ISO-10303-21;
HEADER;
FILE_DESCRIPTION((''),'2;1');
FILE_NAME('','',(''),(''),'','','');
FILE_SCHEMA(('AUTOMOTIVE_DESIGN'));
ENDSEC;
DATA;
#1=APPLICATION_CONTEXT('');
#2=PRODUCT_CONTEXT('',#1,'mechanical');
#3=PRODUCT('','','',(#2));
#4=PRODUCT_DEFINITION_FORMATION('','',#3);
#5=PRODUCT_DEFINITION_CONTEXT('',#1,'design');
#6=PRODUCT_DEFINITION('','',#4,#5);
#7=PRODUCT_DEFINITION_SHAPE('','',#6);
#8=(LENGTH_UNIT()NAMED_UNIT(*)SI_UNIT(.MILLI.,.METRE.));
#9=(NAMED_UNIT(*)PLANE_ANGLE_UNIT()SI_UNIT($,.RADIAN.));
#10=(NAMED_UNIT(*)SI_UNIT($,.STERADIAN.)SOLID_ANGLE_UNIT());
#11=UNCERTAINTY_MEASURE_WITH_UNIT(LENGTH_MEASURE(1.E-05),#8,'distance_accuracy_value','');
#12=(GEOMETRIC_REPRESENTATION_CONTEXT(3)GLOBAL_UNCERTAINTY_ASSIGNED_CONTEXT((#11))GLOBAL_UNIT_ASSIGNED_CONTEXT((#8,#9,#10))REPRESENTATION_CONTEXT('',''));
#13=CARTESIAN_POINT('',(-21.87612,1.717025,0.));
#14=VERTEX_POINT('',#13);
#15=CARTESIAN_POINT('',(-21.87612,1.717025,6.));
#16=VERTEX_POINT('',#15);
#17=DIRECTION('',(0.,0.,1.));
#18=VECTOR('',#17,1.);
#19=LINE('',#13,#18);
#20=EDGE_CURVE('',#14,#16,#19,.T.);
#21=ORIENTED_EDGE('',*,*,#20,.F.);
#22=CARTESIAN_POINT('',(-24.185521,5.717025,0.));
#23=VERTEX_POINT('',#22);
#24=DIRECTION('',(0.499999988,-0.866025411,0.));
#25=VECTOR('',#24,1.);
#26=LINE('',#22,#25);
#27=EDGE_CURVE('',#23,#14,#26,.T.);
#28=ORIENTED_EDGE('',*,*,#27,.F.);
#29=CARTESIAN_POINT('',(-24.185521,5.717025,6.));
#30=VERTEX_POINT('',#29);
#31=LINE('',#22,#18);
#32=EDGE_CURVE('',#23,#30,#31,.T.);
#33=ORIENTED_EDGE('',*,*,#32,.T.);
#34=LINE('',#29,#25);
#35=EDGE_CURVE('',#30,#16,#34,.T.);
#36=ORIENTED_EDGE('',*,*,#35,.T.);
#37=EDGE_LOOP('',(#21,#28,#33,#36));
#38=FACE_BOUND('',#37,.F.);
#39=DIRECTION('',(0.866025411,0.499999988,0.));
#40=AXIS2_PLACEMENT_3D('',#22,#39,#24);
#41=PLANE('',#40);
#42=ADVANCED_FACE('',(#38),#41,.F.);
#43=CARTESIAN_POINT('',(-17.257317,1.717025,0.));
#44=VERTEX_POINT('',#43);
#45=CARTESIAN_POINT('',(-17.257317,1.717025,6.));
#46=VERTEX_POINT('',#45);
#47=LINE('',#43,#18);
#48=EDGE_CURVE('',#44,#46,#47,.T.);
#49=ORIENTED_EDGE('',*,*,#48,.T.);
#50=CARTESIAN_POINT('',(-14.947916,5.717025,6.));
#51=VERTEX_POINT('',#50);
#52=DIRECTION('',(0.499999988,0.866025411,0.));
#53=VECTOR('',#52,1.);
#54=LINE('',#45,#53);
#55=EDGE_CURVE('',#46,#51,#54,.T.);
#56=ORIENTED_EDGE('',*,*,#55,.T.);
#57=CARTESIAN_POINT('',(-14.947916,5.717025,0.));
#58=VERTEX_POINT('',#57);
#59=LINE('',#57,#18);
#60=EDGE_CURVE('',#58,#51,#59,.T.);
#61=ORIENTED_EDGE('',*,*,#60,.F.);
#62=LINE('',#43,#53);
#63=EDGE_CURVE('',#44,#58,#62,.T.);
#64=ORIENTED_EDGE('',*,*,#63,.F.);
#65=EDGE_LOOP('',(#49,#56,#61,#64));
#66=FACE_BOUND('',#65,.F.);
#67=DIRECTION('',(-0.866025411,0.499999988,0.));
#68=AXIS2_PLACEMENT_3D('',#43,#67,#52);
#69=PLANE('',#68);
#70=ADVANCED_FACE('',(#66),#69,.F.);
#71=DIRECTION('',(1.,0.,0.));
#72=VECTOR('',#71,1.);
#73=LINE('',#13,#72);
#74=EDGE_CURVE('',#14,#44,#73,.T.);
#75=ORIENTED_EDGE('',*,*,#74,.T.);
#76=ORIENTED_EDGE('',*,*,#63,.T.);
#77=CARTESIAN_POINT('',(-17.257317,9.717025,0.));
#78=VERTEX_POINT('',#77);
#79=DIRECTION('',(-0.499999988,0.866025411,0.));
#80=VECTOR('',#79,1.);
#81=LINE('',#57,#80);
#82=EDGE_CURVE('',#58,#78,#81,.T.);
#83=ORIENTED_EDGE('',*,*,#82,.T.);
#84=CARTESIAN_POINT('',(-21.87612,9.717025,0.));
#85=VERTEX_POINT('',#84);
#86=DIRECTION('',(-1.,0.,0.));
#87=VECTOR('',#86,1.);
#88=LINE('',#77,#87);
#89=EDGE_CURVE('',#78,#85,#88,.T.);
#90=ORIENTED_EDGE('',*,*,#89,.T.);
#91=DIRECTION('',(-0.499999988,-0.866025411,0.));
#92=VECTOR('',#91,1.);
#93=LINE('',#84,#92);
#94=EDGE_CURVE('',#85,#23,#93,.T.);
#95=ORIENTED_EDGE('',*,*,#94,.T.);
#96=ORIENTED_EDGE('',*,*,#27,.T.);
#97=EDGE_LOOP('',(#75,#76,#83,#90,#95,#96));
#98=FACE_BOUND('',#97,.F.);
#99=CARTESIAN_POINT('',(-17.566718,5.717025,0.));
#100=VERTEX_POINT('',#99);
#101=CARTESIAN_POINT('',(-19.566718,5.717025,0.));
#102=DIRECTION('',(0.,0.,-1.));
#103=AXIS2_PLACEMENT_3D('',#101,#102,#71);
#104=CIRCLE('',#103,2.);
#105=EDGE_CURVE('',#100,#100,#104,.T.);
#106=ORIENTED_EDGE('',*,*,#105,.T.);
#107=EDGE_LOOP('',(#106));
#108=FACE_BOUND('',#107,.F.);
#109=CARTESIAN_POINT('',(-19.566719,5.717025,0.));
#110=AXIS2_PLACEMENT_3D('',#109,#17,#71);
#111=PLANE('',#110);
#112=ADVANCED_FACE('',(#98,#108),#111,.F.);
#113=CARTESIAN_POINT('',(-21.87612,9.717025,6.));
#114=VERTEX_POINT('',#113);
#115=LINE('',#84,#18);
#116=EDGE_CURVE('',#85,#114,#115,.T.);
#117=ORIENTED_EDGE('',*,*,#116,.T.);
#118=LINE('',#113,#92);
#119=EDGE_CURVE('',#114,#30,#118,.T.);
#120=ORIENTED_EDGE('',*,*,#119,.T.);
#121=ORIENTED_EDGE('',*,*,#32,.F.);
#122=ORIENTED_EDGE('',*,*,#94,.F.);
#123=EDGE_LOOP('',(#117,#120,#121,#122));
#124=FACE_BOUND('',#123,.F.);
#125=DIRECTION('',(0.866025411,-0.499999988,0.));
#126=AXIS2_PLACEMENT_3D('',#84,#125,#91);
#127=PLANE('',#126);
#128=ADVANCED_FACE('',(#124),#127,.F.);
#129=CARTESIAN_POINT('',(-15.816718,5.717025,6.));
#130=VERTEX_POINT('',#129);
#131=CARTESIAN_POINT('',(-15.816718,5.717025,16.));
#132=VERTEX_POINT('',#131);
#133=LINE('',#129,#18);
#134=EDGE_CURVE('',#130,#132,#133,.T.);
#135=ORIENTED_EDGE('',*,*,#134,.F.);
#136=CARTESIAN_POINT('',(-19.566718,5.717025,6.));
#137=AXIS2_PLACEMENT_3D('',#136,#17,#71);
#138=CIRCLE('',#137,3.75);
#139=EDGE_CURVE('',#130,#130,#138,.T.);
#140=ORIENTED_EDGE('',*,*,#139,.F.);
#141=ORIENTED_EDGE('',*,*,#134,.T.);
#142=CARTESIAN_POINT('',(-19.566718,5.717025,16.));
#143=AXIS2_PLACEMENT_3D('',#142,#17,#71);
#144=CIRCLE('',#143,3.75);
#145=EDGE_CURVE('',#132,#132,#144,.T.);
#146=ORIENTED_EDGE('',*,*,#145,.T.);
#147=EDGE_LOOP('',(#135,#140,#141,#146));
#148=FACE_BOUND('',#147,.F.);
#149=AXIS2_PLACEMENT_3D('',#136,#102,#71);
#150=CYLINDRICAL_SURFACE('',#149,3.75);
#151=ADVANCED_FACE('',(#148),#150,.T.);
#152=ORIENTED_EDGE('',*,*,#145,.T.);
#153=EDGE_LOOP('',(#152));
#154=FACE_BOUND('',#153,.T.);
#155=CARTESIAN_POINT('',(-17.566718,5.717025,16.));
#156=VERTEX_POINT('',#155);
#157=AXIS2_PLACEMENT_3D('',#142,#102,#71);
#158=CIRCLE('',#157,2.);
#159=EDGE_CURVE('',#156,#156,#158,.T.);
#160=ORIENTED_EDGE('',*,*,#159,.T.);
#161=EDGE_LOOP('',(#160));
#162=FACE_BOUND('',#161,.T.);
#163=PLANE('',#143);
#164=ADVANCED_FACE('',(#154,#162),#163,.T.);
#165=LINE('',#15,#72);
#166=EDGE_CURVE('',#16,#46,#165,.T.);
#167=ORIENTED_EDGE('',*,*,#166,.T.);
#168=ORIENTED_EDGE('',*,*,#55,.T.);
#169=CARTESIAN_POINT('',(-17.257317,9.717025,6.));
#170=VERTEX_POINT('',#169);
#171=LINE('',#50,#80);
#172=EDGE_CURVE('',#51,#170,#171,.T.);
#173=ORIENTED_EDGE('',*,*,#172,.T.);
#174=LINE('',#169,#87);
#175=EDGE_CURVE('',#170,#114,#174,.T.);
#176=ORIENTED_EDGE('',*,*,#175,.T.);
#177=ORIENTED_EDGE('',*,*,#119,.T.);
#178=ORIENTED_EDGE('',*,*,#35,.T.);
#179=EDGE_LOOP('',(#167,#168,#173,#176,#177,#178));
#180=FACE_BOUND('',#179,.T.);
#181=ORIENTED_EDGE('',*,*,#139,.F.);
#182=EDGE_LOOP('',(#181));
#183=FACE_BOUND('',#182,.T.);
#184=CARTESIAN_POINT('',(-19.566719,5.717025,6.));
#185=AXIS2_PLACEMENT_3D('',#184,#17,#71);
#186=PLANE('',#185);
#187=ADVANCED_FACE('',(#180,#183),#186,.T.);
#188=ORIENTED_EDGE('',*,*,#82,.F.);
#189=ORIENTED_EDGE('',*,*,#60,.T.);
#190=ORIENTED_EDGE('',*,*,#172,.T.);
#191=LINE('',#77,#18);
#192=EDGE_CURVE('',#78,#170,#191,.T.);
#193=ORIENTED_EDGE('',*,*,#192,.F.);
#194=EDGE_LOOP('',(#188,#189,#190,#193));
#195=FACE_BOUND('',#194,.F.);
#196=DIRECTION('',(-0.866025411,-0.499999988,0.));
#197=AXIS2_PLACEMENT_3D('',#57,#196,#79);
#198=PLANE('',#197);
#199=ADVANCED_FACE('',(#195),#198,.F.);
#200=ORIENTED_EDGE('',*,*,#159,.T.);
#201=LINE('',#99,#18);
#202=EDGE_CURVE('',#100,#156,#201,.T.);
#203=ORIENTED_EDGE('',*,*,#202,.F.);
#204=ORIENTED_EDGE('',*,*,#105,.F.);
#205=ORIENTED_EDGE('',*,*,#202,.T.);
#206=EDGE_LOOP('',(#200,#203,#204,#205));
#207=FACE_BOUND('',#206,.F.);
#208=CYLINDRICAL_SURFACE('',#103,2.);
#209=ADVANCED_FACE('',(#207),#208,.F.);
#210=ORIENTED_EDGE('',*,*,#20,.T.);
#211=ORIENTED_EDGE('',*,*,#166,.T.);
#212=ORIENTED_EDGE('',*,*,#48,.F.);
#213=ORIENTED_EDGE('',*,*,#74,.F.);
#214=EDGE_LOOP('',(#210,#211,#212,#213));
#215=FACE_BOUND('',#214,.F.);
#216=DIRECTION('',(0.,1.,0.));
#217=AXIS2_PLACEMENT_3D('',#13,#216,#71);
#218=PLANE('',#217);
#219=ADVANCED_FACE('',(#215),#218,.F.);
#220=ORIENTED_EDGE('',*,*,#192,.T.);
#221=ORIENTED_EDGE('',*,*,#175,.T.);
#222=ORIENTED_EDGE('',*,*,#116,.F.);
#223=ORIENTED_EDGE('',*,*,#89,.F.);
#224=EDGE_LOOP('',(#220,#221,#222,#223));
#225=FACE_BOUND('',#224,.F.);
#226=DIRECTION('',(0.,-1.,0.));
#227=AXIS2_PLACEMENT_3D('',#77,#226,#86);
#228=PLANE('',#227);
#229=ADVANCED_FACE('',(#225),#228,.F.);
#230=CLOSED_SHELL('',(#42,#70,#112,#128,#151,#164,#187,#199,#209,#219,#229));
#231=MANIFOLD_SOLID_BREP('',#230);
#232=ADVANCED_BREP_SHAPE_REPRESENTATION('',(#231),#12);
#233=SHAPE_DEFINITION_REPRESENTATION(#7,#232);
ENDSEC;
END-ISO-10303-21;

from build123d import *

# Parameters (mm, degrees)
F1_DEPTH = 6
F2_R     = 3.75
F3_DEPTH = 10
F4_R     = 2
F5_DEPTH = 25


with BuildPart() as f1:
    # F0 (on Top) → F1 (new body)
    with BuildSketch(Plane.XY):
        Polygon((-17.257317, 9.717025), (-21.87612, 9.717025), (-24.185521, 5.717025), (-21.87612, 1.717025), (-17.257317, 1.717025), (-14.947916, 5.717025), align=None)
    extrude(amount=F1_DEPTH)

    # F2 (on face) → F3 (join)
    with BuildSketch(Plane.XY.offset(6)):
        with Locations((-19.566718, 5.717025)):
            Circle(F2_R)
    extrude(amount=F3_DEPTH)

    # F4 (on face) → F5 (cut)
    with BuildSketch(Plane(origin=(0, 0, 0), x_dir=(1, 0, 0), z_dir=(0, 0, -1))):
        with Locations((-19.566718, -5.717025)):
            Circle(F4_R)
    extrude(amount=-F5_DEPTH, mode=Mode.SUBTRACT)


solid = f1.part
